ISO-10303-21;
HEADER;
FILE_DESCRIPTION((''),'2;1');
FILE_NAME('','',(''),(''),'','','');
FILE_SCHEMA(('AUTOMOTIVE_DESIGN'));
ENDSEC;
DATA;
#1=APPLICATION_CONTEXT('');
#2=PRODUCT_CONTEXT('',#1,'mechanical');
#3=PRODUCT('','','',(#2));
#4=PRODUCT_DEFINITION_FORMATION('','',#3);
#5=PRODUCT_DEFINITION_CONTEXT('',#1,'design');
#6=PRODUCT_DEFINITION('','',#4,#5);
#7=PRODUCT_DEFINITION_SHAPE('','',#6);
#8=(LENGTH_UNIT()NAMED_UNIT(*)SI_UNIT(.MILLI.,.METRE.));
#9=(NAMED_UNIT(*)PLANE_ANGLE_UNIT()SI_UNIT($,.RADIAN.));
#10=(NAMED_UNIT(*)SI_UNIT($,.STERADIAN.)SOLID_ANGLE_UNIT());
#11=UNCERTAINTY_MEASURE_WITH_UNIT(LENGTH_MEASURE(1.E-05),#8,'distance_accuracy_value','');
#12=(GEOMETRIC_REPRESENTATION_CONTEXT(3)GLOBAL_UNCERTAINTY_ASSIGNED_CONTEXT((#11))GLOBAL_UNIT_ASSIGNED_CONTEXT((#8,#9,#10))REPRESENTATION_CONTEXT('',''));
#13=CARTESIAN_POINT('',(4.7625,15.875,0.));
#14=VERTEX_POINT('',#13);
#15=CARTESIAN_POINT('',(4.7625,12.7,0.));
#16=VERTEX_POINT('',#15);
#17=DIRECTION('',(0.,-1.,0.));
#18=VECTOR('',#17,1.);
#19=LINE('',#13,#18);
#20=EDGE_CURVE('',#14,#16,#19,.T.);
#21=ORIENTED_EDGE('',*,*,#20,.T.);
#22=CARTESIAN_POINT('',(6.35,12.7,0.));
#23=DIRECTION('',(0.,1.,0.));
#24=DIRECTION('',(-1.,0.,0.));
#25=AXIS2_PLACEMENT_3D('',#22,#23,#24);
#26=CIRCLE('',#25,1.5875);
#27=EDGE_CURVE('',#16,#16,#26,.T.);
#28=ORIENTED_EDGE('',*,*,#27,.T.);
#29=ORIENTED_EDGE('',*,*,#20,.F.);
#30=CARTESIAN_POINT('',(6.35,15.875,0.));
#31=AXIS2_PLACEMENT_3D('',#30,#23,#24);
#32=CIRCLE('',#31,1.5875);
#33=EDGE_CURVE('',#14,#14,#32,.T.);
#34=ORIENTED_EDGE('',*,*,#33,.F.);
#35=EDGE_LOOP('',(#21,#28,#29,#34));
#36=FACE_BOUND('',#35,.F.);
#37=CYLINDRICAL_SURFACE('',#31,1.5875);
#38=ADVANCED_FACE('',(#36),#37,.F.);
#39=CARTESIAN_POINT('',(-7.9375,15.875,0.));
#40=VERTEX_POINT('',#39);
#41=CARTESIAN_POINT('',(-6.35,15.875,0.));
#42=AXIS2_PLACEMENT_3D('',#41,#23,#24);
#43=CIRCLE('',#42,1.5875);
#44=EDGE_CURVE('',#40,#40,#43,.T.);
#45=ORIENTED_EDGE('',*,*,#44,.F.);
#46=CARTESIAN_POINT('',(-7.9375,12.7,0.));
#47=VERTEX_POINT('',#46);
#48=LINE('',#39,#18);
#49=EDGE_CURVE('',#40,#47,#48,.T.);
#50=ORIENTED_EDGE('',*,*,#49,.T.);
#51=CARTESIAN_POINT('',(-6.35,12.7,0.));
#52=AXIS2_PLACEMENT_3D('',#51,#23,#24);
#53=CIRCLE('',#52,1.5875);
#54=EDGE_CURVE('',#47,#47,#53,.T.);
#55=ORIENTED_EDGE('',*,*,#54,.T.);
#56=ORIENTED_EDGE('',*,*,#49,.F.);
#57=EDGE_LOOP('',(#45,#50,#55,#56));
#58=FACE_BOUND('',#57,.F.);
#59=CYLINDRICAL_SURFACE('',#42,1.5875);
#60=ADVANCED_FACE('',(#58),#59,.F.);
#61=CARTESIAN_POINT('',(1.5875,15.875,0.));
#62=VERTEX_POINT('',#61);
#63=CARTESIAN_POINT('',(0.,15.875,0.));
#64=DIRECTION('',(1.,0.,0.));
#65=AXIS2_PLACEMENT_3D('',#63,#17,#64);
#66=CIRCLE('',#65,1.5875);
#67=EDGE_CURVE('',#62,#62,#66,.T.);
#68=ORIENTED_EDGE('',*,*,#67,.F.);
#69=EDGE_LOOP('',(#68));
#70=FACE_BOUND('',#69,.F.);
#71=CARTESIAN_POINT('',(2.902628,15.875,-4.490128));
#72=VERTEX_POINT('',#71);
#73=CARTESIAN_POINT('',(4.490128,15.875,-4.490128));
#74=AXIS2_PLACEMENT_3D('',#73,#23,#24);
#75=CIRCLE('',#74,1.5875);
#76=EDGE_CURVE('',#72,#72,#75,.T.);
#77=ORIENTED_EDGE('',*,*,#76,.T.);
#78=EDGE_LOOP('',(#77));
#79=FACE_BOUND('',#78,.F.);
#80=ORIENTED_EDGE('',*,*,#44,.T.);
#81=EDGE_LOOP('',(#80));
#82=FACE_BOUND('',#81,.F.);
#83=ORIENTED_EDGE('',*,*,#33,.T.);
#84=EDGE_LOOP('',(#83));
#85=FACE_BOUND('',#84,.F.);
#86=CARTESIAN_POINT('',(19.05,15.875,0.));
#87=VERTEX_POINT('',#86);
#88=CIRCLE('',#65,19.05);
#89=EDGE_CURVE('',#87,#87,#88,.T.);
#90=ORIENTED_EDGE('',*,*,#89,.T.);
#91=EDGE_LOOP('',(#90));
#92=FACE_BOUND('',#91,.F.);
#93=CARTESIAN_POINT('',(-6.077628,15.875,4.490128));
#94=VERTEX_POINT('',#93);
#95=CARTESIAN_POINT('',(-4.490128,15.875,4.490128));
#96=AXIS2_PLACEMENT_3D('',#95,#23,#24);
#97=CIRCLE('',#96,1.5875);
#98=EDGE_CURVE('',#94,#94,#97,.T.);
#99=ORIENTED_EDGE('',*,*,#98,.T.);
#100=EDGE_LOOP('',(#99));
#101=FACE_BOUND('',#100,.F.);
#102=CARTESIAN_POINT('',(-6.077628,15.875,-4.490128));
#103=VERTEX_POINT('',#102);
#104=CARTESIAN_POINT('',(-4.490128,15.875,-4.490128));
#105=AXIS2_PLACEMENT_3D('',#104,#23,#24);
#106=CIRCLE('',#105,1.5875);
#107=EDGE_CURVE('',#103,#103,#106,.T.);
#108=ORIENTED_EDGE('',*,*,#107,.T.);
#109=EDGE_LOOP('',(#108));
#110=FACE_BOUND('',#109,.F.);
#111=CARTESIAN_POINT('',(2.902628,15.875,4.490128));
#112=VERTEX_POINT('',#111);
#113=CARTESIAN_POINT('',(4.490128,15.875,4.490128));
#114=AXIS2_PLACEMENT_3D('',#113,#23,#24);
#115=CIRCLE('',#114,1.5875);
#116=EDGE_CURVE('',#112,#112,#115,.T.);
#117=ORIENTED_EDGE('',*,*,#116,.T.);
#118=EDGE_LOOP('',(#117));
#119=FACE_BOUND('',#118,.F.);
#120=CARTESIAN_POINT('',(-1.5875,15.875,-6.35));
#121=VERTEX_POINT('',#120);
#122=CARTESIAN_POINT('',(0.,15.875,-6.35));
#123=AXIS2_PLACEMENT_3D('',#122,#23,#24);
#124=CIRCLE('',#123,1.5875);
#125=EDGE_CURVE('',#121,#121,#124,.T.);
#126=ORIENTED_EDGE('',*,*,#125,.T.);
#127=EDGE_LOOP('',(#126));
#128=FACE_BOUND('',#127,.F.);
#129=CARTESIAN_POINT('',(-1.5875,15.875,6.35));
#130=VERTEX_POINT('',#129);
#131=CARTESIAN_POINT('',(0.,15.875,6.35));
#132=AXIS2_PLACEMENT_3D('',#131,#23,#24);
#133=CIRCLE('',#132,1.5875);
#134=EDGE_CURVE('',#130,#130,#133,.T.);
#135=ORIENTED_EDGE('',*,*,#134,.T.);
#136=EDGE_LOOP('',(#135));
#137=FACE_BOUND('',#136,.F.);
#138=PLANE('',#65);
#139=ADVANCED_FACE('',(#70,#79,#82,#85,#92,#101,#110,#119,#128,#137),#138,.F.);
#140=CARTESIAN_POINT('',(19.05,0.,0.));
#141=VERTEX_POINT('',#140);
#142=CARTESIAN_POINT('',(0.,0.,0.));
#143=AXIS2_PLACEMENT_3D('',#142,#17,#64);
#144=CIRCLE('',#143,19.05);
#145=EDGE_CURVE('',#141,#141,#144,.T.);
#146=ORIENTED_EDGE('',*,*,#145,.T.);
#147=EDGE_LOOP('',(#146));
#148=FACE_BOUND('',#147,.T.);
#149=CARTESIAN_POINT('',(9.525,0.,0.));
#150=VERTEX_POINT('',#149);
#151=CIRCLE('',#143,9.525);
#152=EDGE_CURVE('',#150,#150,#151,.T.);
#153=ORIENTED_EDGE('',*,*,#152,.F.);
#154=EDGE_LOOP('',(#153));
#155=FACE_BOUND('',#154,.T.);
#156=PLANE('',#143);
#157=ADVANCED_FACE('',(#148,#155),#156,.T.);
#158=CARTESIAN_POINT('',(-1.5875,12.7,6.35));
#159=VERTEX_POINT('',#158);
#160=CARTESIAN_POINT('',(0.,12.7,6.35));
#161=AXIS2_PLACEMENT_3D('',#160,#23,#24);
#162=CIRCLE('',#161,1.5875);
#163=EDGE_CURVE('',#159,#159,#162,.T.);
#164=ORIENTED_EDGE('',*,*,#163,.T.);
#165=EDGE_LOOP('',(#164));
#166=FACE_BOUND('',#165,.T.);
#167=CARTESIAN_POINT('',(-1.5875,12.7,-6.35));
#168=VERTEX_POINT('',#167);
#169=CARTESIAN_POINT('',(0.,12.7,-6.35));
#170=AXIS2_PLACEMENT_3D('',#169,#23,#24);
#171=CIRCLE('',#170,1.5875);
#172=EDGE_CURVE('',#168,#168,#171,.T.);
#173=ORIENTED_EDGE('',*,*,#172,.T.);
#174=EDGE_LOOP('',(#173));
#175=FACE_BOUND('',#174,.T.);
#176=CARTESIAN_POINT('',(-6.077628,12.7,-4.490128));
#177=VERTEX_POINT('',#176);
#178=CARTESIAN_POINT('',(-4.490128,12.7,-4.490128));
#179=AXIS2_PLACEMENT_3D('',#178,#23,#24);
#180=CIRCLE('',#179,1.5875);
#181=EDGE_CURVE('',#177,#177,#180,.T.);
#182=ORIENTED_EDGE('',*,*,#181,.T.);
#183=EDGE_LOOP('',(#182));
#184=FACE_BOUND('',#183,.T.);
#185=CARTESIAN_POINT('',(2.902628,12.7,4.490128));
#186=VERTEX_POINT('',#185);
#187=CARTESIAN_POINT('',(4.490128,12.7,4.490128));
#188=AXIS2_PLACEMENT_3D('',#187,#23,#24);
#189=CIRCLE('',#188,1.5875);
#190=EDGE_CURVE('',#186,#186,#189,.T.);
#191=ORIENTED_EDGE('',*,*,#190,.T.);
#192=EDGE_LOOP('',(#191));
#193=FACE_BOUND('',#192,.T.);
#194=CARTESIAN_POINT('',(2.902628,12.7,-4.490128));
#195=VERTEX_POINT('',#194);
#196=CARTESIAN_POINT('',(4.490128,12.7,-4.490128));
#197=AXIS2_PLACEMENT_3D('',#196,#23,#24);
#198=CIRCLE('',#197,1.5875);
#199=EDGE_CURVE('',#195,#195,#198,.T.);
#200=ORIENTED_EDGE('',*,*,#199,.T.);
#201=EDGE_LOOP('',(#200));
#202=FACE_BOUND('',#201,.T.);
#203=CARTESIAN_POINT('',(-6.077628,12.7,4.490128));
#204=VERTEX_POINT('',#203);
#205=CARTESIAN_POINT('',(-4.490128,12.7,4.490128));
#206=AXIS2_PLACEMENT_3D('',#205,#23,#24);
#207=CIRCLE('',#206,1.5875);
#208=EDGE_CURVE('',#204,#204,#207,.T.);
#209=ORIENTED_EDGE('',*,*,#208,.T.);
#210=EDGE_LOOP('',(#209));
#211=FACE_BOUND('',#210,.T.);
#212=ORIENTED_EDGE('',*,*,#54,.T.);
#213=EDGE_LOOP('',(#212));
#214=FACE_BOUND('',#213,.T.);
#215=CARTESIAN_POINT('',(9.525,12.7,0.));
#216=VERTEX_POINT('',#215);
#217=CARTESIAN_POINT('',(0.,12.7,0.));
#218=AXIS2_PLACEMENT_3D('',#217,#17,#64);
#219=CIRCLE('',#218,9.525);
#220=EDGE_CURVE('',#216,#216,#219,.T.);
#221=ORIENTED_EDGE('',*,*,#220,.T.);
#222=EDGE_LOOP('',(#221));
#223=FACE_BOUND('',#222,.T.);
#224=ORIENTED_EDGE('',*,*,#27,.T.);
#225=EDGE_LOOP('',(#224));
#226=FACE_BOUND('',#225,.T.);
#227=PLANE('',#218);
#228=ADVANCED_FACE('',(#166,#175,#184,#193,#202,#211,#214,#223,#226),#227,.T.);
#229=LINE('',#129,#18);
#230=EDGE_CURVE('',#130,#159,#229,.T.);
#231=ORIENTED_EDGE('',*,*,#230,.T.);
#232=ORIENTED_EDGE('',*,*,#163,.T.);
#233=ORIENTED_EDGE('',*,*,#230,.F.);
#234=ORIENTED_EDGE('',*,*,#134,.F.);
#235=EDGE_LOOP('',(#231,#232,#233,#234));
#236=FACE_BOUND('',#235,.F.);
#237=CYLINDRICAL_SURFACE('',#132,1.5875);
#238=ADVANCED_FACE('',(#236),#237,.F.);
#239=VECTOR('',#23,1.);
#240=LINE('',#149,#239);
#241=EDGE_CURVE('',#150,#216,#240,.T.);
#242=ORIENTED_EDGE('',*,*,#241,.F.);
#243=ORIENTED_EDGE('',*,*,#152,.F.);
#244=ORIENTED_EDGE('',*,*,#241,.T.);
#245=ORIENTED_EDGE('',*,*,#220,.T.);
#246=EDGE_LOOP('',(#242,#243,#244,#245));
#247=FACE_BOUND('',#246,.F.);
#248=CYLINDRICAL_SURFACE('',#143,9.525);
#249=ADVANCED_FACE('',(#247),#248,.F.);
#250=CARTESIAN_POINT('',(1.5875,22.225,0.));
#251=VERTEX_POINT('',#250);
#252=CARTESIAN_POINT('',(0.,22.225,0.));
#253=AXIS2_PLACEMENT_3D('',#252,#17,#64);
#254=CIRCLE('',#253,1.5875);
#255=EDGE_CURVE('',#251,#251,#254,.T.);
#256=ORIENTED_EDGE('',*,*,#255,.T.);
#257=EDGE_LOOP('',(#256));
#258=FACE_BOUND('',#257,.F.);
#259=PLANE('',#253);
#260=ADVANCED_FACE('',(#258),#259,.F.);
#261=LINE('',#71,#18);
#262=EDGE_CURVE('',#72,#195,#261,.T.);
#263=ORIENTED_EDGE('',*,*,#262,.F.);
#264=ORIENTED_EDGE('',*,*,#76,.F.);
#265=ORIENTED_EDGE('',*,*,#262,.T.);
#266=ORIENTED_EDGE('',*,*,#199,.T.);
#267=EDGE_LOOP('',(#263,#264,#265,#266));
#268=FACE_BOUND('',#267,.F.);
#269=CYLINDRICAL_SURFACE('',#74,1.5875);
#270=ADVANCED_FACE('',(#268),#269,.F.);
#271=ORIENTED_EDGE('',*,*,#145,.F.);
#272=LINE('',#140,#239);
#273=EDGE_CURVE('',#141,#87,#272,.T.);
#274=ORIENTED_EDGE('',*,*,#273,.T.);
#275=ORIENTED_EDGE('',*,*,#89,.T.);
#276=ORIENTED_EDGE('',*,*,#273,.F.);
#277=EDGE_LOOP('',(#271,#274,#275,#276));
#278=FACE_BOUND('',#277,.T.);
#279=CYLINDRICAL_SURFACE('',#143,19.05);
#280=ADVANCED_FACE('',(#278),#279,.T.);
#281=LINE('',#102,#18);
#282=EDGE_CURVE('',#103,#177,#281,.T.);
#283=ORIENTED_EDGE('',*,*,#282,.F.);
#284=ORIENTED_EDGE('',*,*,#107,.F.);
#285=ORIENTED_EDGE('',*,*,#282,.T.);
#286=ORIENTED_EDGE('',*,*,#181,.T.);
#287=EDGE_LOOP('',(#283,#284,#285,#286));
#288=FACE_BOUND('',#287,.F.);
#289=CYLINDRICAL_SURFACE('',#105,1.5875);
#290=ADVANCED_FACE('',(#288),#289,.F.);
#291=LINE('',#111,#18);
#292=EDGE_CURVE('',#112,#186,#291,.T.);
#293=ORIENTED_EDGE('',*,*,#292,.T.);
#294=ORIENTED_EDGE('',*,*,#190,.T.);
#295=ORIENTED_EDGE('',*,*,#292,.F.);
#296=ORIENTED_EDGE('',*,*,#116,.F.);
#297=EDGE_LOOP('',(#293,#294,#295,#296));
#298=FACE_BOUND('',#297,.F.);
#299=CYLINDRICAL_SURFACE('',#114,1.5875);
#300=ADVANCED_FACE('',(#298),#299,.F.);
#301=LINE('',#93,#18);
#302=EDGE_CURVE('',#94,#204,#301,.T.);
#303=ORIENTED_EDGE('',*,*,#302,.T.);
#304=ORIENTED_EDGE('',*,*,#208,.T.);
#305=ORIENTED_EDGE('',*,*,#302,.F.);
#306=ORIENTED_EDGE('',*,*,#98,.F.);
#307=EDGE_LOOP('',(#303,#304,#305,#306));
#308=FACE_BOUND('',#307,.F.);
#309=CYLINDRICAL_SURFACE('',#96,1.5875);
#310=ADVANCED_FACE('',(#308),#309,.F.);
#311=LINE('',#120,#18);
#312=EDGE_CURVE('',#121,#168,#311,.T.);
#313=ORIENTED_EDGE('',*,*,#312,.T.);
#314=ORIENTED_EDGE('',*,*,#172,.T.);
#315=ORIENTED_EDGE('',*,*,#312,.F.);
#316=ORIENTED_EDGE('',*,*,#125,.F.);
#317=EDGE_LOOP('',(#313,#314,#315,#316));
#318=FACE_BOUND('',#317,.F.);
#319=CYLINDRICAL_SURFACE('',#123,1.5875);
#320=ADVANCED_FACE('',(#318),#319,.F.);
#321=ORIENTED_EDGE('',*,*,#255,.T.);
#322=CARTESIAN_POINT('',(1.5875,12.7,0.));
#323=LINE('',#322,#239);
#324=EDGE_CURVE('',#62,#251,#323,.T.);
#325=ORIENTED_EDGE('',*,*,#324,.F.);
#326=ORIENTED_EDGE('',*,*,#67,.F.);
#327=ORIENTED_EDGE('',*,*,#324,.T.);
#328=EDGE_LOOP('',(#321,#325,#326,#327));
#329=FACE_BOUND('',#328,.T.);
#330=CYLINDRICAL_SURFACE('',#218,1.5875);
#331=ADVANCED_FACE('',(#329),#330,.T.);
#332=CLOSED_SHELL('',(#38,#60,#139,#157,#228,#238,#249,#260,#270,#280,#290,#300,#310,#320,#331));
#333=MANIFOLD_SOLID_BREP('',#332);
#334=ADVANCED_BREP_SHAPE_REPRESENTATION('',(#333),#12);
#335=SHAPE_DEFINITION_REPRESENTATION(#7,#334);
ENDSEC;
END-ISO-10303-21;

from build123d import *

# Parameters (mm, degrees)
F0_R     = 19.05
F1_DEPTH = 15.875
F2_R     = 9.525
F3_DEPTH = 12.7
F5_R     = 1.5875
F6_DEPTH = 9.525
F7_R     = 1.5875
F8_DEPTH = 25.4


with BuildPart() as f1:
    # F0 (on Front) → F1 (new body)
    with BuildSketch(Plane.XZ):
        Circle(F0_R)
    extrude(amount=-F1_DEPTH)

    # F2 (on face) → F3 (cut)
    with BuildSketch(Plane.XZ):
        Circle(F2_R)
    extrude(amount=-F3_DEPTH, mode=Mode.SUBTRACT)

    # F5 (on face) → F6 (join)
    with BuildSketch(Plane.XZ.offset(-12.7)):
        Circle(F5_R)
    extrude(amount=-F6_DEPTH)

    # F7 (on face) → F8 (cut)
    with BuildSketch(Plane(origin=(0, 15.875, 0), x_dir=(-1, 0, 0), z_dir=(0, 1, 0))):
        with Locations((0, 6.35)):
            Circle(F7_R)
        with Locations((-4.490128, 4.490128)):
            Circle(F7_R)
        with Locations((-6.35, 0)):
            Circle(F7_R)
        with Locations((-4.490128, -4.490128)):
            Circle(F7_R)
        with Locations((0, -6.35)):
            Circle(F7_R)
        with Locations((4.490128, -4.490128)):
            Circle(F7_R)
        with Locations((6.35, 0)):
            Circle(F7_R)
        with Locations((4.490128, 4.490128)):
            Circle(F7_R)
    extrude(amount=-F8_DEPTH, mode=Mode.SUBTRACT)


solid = f1.part
